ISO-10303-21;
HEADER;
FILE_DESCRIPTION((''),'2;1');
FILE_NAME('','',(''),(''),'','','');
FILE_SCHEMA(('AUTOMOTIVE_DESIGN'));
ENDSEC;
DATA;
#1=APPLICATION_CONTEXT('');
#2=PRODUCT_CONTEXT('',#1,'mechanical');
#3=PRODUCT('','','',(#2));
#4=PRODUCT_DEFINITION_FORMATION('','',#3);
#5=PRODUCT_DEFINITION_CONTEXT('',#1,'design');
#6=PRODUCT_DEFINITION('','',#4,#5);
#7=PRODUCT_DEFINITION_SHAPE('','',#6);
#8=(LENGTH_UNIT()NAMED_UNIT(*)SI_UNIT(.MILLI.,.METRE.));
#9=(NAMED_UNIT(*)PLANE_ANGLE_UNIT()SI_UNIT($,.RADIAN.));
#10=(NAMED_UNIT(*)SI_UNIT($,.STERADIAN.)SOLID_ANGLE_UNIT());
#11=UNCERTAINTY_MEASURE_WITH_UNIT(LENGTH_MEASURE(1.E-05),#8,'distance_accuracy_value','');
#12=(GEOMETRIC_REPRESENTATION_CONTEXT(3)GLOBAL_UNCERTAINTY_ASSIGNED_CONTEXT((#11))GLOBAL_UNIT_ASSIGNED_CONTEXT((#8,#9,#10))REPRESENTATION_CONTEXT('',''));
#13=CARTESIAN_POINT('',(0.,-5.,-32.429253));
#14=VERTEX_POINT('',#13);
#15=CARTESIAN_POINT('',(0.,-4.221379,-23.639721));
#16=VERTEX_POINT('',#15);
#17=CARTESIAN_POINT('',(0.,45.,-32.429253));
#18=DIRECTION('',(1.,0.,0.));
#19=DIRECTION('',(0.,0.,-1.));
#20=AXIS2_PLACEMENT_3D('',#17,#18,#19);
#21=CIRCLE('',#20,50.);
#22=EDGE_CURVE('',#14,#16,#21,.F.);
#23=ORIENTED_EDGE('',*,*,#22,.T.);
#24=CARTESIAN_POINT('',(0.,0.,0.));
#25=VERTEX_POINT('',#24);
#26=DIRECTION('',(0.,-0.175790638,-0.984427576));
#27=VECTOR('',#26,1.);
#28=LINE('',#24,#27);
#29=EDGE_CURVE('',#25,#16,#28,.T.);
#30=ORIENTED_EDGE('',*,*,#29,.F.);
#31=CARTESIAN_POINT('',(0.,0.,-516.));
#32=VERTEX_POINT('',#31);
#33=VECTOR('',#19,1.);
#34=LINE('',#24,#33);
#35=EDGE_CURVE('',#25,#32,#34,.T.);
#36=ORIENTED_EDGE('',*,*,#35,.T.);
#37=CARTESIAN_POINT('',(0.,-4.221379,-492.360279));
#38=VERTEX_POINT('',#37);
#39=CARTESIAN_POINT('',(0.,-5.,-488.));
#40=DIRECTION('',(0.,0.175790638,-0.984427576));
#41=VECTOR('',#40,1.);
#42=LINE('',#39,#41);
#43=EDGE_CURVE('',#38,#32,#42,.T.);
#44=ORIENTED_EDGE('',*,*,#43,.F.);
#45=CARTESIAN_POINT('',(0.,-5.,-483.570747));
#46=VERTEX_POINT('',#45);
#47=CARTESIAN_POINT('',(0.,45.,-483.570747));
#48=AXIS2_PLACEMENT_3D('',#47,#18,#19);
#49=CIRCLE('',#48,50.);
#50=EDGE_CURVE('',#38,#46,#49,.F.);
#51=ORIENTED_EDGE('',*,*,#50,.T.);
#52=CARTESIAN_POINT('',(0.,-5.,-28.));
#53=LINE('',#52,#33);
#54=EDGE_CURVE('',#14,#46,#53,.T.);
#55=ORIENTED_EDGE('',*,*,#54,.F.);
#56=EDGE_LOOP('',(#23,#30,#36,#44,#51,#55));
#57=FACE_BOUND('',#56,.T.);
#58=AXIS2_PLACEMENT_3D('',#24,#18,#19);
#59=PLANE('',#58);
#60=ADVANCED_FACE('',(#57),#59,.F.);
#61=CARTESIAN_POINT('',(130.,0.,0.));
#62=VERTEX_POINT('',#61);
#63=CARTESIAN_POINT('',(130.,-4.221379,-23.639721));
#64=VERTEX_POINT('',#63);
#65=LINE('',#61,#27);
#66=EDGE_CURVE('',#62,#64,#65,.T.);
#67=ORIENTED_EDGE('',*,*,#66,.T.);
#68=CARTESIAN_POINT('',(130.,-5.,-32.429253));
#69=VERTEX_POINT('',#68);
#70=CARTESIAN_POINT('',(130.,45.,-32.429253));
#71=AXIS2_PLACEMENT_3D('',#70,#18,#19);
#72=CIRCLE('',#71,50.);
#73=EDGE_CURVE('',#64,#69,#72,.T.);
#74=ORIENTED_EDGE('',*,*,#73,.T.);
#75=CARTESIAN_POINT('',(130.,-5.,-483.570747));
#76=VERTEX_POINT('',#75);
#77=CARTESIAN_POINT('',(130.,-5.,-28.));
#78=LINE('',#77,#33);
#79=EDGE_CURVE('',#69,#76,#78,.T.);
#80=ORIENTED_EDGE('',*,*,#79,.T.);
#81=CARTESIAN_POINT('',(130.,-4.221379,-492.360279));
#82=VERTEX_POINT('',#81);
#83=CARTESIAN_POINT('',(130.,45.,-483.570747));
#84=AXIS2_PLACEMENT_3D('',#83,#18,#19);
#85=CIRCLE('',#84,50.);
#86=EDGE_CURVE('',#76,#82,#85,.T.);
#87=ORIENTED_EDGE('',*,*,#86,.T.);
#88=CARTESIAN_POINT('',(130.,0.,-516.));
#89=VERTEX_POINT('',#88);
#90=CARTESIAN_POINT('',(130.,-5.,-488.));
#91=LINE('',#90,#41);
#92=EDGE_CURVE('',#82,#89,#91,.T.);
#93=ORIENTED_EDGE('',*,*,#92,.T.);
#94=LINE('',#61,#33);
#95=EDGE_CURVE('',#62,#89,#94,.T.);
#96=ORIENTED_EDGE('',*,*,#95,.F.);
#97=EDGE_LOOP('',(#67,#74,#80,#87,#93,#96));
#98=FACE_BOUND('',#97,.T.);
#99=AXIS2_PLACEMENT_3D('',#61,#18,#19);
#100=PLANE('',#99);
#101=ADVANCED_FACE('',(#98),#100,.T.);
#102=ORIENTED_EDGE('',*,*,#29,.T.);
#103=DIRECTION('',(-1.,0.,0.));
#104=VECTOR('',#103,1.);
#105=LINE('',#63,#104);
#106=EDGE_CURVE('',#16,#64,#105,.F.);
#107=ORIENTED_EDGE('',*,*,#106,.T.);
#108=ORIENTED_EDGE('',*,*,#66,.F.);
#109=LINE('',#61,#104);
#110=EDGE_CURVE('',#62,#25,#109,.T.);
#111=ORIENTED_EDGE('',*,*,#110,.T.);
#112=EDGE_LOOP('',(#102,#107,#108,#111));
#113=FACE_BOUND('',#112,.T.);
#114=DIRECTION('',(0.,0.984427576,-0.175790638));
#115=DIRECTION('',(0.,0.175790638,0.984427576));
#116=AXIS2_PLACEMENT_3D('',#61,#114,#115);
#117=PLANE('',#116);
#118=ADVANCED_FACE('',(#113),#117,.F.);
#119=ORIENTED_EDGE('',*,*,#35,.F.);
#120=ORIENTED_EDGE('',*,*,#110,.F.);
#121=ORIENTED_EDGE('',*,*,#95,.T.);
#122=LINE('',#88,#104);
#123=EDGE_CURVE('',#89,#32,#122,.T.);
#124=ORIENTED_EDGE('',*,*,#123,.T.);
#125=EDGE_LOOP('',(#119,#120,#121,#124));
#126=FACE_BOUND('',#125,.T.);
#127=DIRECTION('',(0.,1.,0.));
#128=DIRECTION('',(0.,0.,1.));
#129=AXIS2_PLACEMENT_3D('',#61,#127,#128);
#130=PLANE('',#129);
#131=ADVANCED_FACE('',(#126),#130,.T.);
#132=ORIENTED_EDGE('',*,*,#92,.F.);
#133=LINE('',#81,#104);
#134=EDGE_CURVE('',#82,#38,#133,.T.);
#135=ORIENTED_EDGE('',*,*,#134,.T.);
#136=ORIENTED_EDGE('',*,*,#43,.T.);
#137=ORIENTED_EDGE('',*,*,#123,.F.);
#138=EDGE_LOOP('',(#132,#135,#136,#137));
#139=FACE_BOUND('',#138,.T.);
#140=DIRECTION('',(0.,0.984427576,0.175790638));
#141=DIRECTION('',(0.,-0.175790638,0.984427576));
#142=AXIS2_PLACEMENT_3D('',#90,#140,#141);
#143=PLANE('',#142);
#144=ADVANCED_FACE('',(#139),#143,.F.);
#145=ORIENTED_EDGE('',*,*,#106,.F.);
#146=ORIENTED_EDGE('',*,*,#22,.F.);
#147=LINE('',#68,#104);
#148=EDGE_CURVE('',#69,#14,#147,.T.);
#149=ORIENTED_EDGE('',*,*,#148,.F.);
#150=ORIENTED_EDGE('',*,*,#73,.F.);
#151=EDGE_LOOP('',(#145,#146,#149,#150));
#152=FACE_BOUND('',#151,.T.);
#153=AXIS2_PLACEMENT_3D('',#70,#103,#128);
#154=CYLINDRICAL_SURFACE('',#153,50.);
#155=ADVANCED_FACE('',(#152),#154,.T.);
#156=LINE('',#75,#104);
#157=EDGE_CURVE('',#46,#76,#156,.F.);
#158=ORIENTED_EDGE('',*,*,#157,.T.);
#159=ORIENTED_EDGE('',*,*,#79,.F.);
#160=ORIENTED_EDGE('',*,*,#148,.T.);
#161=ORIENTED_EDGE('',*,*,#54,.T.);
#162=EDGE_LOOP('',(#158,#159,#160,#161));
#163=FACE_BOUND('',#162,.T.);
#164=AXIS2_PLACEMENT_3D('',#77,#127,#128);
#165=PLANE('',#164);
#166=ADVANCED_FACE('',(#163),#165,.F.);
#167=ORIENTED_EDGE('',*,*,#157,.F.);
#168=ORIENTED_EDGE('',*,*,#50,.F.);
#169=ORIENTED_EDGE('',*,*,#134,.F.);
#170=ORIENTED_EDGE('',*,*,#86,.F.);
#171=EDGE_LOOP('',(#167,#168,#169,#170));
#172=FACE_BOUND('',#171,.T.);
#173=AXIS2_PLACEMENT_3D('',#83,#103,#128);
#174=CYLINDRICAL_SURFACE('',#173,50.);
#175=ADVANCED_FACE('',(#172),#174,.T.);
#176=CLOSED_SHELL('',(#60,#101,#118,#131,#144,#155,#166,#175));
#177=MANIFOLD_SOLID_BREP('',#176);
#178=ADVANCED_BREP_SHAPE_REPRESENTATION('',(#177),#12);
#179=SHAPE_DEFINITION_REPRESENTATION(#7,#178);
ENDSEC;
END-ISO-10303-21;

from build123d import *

# Parameters (mm, degrees)
BOSS_EXTRUDE1_DEPTH = 130
FILLET1_R           = 50


with BuildPart() as part:
    # Sketch1 → Boss-Extrude1 (new body)
    with BuildSketch(Plane(origin=(0, 0, 0), x_dir=(0, 0, -1), z_dir=(1, 0, 0))):
        Polygon((28, -5), (488, -5), (516, 0), (0, 0), align=None)
    extrude(amount=BOSS_EXTRUDE1_DEPTH)

    # Fillet1
    fillet1_edges = [part.edges().sort_by_distance(p)[0] for p in [
        (65, -5, -488),
        (65, -5, -28),
    ]]
    fillet(fillet1_edges, radius=FILLET1_R)


solid = part.part
